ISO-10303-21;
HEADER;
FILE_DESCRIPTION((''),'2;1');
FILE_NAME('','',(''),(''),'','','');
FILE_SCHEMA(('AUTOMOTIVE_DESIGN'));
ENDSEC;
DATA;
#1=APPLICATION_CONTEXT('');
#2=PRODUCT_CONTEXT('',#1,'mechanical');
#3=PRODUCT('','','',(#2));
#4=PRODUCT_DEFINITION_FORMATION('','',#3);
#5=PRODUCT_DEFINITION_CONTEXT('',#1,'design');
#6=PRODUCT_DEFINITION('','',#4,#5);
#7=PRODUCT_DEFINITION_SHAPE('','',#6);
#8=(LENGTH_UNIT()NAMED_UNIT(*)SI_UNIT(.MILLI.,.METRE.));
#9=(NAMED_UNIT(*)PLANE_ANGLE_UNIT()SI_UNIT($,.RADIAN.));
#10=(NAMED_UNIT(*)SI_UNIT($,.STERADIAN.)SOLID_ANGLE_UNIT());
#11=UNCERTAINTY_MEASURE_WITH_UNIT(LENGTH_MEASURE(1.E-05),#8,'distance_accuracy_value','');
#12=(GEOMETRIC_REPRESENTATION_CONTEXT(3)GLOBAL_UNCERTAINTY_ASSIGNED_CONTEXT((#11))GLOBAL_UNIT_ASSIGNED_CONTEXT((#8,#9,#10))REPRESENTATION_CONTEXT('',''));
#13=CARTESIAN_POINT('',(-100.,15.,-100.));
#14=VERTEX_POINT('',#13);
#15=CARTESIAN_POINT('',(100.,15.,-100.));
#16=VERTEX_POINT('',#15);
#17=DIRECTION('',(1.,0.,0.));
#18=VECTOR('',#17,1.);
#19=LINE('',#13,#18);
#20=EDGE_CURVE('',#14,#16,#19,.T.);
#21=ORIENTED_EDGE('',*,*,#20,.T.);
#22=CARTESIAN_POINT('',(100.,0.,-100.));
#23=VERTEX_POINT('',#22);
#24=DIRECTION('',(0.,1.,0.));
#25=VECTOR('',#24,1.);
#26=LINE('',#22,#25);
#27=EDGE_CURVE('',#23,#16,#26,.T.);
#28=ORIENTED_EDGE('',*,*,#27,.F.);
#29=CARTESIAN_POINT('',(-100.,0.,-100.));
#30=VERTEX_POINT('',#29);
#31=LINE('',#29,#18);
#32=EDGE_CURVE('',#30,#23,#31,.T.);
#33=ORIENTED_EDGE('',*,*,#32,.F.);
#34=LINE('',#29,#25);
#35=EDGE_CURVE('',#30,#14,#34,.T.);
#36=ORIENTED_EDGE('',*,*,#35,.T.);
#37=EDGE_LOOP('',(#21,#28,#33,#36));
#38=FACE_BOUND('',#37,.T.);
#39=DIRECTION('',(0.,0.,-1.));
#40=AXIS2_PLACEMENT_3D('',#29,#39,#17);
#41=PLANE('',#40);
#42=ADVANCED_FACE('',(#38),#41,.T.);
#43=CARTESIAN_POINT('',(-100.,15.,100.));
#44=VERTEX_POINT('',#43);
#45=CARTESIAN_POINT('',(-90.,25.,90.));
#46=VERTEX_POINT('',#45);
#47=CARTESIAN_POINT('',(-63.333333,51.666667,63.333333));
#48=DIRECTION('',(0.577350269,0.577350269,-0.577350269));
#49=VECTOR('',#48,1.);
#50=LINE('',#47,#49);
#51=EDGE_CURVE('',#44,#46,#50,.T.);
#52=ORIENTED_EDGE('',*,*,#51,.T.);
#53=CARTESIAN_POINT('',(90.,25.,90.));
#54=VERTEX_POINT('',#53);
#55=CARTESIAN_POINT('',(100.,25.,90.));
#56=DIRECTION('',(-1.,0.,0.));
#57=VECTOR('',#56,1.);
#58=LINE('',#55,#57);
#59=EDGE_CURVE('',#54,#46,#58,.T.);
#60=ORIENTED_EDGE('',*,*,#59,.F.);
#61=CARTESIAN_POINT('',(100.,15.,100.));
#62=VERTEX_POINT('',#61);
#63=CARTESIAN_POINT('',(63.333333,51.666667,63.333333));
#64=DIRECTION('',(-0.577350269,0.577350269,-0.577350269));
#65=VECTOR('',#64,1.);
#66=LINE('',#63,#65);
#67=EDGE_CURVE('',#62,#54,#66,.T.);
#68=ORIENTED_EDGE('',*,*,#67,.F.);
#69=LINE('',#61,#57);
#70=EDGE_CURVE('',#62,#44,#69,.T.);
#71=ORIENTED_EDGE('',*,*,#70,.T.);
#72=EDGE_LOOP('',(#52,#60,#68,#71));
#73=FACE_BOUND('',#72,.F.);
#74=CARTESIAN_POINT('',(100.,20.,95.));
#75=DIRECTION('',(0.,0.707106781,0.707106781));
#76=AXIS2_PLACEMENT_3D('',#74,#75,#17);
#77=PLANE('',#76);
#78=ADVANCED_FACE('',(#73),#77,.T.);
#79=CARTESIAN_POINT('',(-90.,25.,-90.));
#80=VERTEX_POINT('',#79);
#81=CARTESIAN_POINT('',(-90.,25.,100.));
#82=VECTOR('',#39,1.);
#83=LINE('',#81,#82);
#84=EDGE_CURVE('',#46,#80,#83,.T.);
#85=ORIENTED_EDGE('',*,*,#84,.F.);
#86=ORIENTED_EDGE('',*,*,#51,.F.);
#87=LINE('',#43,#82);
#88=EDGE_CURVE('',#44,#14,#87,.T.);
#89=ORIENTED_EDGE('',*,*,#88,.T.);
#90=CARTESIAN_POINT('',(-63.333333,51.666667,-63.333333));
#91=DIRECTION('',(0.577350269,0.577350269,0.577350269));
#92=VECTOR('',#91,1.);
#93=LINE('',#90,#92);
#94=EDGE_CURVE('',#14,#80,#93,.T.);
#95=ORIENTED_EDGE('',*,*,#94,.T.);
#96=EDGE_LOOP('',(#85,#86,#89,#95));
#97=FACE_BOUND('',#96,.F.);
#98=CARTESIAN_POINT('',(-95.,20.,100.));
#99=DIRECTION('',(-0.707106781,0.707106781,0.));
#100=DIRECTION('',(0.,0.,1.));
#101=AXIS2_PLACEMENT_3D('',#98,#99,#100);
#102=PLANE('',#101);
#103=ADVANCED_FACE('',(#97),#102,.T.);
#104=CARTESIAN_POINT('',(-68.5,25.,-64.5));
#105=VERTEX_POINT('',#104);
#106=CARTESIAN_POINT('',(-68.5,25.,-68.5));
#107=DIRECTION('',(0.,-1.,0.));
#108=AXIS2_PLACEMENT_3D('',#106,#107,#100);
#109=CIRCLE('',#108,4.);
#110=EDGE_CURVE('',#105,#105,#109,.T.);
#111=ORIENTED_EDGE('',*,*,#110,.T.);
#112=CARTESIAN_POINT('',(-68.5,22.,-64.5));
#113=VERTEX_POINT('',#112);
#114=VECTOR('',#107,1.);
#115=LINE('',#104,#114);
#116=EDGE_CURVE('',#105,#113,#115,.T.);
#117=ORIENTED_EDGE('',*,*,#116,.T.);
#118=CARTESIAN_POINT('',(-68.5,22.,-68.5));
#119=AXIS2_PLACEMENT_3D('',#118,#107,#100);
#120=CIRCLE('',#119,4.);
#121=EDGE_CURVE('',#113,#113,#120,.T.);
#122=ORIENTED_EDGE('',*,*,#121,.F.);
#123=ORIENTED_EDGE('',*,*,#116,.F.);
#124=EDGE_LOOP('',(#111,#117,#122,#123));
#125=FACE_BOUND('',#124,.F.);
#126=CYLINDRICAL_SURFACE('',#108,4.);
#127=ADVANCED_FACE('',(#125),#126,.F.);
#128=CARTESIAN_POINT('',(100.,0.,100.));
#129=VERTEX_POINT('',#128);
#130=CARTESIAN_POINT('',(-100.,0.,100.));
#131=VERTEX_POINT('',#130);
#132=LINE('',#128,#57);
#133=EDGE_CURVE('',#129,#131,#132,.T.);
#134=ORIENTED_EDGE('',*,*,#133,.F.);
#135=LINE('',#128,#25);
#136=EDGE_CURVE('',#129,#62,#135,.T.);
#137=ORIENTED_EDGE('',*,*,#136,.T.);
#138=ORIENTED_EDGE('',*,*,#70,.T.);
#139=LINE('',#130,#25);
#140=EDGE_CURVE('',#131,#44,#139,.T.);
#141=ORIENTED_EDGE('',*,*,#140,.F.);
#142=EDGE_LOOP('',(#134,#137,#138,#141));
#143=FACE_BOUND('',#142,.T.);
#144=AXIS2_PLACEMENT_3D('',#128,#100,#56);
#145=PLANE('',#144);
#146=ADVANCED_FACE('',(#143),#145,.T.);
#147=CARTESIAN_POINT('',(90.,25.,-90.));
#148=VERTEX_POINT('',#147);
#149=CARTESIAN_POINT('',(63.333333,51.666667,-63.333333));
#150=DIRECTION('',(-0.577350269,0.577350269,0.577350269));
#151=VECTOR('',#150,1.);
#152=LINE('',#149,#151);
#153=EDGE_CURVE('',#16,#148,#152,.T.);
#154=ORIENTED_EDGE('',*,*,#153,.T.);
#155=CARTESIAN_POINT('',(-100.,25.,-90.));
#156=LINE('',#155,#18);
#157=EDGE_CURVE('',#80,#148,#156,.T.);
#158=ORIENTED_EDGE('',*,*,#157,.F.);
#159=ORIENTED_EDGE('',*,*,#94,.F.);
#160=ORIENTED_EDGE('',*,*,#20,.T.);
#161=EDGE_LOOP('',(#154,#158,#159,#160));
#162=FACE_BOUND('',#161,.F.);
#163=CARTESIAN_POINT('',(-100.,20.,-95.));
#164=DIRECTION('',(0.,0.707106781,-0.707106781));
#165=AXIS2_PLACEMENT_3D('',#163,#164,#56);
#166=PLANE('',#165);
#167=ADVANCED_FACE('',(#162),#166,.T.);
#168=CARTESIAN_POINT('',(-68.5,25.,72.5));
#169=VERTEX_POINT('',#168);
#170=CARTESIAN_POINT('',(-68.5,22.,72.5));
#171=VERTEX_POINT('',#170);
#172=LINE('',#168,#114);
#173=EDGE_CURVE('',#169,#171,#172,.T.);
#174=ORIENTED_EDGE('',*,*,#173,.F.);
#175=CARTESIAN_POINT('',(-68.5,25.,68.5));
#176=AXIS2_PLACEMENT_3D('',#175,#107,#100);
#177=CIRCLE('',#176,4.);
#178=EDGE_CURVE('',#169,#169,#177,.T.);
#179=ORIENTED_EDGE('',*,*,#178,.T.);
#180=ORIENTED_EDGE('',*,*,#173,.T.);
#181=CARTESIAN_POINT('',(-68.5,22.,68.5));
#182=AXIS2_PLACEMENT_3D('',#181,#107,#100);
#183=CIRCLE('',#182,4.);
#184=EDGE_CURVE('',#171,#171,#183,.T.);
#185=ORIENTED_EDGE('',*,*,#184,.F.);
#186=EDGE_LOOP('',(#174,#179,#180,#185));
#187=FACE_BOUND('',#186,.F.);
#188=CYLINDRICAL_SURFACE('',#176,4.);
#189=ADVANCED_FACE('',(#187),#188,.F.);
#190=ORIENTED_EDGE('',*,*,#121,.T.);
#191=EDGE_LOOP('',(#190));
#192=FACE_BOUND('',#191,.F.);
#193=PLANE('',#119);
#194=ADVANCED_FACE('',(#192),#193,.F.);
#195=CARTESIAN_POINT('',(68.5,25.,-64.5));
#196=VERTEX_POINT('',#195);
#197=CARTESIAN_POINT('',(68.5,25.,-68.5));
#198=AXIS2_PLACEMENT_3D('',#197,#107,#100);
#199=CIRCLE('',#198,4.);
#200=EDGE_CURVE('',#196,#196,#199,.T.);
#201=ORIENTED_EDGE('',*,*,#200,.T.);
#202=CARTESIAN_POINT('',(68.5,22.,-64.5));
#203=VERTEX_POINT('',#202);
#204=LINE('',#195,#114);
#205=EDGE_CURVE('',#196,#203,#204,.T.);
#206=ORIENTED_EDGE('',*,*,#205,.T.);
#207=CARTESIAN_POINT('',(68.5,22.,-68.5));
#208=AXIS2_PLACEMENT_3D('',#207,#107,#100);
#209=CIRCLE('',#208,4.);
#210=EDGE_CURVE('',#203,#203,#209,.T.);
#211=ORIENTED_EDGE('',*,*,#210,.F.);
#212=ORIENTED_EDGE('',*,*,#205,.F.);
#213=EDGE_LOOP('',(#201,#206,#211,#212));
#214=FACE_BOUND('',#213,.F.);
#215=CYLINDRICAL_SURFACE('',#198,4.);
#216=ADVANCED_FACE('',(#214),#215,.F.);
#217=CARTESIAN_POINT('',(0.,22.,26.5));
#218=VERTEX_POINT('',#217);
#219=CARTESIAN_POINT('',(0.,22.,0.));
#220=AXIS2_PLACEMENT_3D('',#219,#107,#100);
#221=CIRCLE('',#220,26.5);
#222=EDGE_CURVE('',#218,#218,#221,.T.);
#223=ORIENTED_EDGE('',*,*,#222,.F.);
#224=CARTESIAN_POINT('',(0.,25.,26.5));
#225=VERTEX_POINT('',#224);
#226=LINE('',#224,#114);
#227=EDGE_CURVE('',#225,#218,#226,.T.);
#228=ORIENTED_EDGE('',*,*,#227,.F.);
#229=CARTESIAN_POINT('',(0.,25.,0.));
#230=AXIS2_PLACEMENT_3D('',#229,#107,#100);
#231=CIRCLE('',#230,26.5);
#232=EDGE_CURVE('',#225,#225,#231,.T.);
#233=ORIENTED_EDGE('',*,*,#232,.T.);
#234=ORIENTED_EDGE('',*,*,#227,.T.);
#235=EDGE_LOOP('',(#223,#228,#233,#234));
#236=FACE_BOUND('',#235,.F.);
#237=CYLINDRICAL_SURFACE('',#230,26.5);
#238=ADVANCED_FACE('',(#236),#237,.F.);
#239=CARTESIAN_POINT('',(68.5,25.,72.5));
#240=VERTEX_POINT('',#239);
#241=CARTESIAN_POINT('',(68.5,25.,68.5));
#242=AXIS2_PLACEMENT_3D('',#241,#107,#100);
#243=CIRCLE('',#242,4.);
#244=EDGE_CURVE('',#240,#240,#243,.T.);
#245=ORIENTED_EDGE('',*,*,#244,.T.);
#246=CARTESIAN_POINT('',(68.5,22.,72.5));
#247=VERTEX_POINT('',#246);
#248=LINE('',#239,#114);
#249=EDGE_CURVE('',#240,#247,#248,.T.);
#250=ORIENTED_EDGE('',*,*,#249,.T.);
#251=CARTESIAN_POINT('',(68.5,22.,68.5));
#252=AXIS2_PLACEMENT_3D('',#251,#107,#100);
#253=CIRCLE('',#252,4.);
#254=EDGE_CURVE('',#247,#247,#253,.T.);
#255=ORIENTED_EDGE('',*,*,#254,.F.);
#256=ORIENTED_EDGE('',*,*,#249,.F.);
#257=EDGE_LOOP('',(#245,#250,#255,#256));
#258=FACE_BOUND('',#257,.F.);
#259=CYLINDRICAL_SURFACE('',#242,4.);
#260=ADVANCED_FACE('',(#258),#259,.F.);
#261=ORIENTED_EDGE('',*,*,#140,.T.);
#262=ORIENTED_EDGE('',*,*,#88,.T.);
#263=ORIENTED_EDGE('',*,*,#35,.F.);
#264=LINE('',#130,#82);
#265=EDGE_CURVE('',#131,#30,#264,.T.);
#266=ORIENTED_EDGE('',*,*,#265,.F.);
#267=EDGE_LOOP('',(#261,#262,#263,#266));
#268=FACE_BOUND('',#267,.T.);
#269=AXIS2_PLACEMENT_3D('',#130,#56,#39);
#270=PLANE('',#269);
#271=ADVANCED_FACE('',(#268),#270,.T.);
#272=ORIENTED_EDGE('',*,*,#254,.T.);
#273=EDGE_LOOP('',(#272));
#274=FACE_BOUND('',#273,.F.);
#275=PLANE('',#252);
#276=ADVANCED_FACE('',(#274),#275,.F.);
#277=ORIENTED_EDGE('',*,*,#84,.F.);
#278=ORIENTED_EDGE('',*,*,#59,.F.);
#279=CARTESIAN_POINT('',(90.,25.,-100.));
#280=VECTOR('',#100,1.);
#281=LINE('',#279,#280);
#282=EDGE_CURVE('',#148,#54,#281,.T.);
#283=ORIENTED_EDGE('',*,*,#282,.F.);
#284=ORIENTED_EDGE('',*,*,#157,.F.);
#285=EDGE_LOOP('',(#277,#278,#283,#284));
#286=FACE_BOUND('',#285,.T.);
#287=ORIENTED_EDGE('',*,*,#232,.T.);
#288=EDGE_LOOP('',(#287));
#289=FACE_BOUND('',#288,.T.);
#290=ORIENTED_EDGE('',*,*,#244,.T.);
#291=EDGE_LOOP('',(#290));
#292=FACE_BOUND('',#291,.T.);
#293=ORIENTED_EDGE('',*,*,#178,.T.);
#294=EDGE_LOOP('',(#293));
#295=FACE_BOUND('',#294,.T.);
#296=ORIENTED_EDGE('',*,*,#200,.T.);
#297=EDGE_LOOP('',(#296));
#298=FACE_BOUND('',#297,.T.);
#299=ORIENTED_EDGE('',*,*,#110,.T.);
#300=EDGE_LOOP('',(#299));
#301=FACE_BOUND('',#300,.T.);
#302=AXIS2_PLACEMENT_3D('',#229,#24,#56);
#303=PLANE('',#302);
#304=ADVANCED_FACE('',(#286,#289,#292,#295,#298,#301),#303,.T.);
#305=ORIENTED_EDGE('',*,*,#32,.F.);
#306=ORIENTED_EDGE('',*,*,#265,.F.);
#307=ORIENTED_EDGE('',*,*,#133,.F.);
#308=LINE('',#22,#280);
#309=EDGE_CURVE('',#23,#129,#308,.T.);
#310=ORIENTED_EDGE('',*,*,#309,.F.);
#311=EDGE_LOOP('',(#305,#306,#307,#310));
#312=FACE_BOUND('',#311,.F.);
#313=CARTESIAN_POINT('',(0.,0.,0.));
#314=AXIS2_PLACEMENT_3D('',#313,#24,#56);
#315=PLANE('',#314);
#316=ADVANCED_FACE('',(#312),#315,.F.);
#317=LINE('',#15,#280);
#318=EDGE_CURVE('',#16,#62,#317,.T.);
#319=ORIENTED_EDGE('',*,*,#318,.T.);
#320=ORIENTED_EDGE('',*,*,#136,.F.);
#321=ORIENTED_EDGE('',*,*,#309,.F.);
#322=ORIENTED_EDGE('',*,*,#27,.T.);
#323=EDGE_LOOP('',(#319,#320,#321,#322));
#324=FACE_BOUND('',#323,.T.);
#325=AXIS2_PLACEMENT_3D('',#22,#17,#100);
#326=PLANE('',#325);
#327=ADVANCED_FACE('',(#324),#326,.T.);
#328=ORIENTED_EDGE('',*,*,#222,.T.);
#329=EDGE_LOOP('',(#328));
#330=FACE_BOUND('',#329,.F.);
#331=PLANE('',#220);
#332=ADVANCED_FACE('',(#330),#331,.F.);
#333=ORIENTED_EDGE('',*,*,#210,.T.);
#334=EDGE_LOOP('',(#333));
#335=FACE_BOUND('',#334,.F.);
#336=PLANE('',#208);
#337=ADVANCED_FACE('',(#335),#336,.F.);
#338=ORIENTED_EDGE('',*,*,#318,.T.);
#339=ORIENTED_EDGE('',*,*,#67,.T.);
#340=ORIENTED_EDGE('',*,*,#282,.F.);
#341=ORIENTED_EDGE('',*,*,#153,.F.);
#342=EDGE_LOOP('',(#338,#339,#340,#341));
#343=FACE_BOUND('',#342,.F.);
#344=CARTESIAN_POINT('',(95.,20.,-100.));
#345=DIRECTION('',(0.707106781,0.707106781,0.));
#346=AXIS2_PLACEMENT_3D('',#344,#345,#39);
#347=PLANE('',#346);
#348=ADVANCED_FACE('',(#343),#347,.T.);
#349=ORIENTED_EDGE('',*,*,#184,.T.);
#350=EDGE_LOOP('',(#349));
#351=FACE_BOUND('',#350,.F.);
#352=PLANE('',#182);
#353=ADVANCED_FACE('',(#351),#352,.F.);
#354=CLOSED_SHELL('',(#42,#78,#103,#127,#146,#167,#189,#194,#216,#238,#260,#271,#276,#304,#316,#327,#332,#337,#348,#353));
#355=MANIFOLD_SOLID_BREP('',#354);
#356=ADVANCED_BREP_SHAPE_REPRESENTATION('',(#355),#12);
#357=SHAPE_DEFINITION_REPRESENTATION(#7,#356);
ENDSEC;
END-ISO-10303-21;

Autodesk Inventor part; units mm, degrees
ref_plane "YZ Plane" through (0, 0, 0) normal (1, 0, 0) x (0, 1, 0)
ref_plane "XZ Plane" through (0, 0, 0) normal (0, 1, 0) x (-1, 0, 0)
ref_plane "XY Plane" through (0, 0, 0) normal (0, 0, 1) x (1, 0, 0)
sketch "Skizze1" plane through (0, 0, 0) normal (0, 1, 0) x (-1, 0, 0)
  line L0 (-100, 100) -> (100, 100)
  line L1 (100, 100) -> (100, -100)
  line L2 (100, -100) -> (-100, -100)
  line L3 (-100, -100) -> (-100, 100)
  line L4 (-100, 100) -> (100, -100) construction
  line L5 (100, 100) -> (-100, -100) construction
  point P0 (0, 0)
  dimension "d0" = 200
  dimension "d1" = 200
extrude "Extrusion1" add sketch "Skizze1" along normal blind 25
chamfer "Fasen1" distance 10 angle 45 4 edges at (100, 25, 0) (0, 25, 100) (0, 25, -100) (-100, 25, 0)
sketch "Skizze2" plane through (0, 25, 0) normal (0, 1, 0) x (1, 0, 0)
  point P0 (0, 0)
  point P1 (0, 0)
hole "Bohrung1" at (0, 25, 0) direction (0, -1, 0) diameter 53 depth 3
sketch "Skizze3" plane through (0, 25, 0) normal (0, 1, 0) x (1, 0, 0)
  line L0 (90, -90) -> (-90, -90) projected
  line L1 (0, -90) -> (0, 90) construction
  line L2 (-90, 90) -> (90, 90) projected
  line L3 (-90, -90) -> (-90, 90) projected
  line L4 (-90, 0) -> (90.2684, 0) construction
  point P0 (0, 0)
  point P1 (-68.5, -68.5)
  point P2 (68.5, -68.5)
  point P3 (68.5, 68.5)
  point P4 (-68.5, 68.5)
  point P5 (0.1342, 0)
  dimension "d21" = 68.5
  dimension "d22" = 68.5
  dimension "d23" = 137
  dimension "d24" = 68.5
  dimension "d25" = 68.5
hole "Bohrung2" at (-68.5, 25, 68.5) at (68.5, 25, 68.5) at (68.5, 25, -68.5) at (-68.5, 25, -68.5) direction (0, -1, 0) diameter 8 depth 3
properties part number "wooden support" material "Holz (Ahorn)"
